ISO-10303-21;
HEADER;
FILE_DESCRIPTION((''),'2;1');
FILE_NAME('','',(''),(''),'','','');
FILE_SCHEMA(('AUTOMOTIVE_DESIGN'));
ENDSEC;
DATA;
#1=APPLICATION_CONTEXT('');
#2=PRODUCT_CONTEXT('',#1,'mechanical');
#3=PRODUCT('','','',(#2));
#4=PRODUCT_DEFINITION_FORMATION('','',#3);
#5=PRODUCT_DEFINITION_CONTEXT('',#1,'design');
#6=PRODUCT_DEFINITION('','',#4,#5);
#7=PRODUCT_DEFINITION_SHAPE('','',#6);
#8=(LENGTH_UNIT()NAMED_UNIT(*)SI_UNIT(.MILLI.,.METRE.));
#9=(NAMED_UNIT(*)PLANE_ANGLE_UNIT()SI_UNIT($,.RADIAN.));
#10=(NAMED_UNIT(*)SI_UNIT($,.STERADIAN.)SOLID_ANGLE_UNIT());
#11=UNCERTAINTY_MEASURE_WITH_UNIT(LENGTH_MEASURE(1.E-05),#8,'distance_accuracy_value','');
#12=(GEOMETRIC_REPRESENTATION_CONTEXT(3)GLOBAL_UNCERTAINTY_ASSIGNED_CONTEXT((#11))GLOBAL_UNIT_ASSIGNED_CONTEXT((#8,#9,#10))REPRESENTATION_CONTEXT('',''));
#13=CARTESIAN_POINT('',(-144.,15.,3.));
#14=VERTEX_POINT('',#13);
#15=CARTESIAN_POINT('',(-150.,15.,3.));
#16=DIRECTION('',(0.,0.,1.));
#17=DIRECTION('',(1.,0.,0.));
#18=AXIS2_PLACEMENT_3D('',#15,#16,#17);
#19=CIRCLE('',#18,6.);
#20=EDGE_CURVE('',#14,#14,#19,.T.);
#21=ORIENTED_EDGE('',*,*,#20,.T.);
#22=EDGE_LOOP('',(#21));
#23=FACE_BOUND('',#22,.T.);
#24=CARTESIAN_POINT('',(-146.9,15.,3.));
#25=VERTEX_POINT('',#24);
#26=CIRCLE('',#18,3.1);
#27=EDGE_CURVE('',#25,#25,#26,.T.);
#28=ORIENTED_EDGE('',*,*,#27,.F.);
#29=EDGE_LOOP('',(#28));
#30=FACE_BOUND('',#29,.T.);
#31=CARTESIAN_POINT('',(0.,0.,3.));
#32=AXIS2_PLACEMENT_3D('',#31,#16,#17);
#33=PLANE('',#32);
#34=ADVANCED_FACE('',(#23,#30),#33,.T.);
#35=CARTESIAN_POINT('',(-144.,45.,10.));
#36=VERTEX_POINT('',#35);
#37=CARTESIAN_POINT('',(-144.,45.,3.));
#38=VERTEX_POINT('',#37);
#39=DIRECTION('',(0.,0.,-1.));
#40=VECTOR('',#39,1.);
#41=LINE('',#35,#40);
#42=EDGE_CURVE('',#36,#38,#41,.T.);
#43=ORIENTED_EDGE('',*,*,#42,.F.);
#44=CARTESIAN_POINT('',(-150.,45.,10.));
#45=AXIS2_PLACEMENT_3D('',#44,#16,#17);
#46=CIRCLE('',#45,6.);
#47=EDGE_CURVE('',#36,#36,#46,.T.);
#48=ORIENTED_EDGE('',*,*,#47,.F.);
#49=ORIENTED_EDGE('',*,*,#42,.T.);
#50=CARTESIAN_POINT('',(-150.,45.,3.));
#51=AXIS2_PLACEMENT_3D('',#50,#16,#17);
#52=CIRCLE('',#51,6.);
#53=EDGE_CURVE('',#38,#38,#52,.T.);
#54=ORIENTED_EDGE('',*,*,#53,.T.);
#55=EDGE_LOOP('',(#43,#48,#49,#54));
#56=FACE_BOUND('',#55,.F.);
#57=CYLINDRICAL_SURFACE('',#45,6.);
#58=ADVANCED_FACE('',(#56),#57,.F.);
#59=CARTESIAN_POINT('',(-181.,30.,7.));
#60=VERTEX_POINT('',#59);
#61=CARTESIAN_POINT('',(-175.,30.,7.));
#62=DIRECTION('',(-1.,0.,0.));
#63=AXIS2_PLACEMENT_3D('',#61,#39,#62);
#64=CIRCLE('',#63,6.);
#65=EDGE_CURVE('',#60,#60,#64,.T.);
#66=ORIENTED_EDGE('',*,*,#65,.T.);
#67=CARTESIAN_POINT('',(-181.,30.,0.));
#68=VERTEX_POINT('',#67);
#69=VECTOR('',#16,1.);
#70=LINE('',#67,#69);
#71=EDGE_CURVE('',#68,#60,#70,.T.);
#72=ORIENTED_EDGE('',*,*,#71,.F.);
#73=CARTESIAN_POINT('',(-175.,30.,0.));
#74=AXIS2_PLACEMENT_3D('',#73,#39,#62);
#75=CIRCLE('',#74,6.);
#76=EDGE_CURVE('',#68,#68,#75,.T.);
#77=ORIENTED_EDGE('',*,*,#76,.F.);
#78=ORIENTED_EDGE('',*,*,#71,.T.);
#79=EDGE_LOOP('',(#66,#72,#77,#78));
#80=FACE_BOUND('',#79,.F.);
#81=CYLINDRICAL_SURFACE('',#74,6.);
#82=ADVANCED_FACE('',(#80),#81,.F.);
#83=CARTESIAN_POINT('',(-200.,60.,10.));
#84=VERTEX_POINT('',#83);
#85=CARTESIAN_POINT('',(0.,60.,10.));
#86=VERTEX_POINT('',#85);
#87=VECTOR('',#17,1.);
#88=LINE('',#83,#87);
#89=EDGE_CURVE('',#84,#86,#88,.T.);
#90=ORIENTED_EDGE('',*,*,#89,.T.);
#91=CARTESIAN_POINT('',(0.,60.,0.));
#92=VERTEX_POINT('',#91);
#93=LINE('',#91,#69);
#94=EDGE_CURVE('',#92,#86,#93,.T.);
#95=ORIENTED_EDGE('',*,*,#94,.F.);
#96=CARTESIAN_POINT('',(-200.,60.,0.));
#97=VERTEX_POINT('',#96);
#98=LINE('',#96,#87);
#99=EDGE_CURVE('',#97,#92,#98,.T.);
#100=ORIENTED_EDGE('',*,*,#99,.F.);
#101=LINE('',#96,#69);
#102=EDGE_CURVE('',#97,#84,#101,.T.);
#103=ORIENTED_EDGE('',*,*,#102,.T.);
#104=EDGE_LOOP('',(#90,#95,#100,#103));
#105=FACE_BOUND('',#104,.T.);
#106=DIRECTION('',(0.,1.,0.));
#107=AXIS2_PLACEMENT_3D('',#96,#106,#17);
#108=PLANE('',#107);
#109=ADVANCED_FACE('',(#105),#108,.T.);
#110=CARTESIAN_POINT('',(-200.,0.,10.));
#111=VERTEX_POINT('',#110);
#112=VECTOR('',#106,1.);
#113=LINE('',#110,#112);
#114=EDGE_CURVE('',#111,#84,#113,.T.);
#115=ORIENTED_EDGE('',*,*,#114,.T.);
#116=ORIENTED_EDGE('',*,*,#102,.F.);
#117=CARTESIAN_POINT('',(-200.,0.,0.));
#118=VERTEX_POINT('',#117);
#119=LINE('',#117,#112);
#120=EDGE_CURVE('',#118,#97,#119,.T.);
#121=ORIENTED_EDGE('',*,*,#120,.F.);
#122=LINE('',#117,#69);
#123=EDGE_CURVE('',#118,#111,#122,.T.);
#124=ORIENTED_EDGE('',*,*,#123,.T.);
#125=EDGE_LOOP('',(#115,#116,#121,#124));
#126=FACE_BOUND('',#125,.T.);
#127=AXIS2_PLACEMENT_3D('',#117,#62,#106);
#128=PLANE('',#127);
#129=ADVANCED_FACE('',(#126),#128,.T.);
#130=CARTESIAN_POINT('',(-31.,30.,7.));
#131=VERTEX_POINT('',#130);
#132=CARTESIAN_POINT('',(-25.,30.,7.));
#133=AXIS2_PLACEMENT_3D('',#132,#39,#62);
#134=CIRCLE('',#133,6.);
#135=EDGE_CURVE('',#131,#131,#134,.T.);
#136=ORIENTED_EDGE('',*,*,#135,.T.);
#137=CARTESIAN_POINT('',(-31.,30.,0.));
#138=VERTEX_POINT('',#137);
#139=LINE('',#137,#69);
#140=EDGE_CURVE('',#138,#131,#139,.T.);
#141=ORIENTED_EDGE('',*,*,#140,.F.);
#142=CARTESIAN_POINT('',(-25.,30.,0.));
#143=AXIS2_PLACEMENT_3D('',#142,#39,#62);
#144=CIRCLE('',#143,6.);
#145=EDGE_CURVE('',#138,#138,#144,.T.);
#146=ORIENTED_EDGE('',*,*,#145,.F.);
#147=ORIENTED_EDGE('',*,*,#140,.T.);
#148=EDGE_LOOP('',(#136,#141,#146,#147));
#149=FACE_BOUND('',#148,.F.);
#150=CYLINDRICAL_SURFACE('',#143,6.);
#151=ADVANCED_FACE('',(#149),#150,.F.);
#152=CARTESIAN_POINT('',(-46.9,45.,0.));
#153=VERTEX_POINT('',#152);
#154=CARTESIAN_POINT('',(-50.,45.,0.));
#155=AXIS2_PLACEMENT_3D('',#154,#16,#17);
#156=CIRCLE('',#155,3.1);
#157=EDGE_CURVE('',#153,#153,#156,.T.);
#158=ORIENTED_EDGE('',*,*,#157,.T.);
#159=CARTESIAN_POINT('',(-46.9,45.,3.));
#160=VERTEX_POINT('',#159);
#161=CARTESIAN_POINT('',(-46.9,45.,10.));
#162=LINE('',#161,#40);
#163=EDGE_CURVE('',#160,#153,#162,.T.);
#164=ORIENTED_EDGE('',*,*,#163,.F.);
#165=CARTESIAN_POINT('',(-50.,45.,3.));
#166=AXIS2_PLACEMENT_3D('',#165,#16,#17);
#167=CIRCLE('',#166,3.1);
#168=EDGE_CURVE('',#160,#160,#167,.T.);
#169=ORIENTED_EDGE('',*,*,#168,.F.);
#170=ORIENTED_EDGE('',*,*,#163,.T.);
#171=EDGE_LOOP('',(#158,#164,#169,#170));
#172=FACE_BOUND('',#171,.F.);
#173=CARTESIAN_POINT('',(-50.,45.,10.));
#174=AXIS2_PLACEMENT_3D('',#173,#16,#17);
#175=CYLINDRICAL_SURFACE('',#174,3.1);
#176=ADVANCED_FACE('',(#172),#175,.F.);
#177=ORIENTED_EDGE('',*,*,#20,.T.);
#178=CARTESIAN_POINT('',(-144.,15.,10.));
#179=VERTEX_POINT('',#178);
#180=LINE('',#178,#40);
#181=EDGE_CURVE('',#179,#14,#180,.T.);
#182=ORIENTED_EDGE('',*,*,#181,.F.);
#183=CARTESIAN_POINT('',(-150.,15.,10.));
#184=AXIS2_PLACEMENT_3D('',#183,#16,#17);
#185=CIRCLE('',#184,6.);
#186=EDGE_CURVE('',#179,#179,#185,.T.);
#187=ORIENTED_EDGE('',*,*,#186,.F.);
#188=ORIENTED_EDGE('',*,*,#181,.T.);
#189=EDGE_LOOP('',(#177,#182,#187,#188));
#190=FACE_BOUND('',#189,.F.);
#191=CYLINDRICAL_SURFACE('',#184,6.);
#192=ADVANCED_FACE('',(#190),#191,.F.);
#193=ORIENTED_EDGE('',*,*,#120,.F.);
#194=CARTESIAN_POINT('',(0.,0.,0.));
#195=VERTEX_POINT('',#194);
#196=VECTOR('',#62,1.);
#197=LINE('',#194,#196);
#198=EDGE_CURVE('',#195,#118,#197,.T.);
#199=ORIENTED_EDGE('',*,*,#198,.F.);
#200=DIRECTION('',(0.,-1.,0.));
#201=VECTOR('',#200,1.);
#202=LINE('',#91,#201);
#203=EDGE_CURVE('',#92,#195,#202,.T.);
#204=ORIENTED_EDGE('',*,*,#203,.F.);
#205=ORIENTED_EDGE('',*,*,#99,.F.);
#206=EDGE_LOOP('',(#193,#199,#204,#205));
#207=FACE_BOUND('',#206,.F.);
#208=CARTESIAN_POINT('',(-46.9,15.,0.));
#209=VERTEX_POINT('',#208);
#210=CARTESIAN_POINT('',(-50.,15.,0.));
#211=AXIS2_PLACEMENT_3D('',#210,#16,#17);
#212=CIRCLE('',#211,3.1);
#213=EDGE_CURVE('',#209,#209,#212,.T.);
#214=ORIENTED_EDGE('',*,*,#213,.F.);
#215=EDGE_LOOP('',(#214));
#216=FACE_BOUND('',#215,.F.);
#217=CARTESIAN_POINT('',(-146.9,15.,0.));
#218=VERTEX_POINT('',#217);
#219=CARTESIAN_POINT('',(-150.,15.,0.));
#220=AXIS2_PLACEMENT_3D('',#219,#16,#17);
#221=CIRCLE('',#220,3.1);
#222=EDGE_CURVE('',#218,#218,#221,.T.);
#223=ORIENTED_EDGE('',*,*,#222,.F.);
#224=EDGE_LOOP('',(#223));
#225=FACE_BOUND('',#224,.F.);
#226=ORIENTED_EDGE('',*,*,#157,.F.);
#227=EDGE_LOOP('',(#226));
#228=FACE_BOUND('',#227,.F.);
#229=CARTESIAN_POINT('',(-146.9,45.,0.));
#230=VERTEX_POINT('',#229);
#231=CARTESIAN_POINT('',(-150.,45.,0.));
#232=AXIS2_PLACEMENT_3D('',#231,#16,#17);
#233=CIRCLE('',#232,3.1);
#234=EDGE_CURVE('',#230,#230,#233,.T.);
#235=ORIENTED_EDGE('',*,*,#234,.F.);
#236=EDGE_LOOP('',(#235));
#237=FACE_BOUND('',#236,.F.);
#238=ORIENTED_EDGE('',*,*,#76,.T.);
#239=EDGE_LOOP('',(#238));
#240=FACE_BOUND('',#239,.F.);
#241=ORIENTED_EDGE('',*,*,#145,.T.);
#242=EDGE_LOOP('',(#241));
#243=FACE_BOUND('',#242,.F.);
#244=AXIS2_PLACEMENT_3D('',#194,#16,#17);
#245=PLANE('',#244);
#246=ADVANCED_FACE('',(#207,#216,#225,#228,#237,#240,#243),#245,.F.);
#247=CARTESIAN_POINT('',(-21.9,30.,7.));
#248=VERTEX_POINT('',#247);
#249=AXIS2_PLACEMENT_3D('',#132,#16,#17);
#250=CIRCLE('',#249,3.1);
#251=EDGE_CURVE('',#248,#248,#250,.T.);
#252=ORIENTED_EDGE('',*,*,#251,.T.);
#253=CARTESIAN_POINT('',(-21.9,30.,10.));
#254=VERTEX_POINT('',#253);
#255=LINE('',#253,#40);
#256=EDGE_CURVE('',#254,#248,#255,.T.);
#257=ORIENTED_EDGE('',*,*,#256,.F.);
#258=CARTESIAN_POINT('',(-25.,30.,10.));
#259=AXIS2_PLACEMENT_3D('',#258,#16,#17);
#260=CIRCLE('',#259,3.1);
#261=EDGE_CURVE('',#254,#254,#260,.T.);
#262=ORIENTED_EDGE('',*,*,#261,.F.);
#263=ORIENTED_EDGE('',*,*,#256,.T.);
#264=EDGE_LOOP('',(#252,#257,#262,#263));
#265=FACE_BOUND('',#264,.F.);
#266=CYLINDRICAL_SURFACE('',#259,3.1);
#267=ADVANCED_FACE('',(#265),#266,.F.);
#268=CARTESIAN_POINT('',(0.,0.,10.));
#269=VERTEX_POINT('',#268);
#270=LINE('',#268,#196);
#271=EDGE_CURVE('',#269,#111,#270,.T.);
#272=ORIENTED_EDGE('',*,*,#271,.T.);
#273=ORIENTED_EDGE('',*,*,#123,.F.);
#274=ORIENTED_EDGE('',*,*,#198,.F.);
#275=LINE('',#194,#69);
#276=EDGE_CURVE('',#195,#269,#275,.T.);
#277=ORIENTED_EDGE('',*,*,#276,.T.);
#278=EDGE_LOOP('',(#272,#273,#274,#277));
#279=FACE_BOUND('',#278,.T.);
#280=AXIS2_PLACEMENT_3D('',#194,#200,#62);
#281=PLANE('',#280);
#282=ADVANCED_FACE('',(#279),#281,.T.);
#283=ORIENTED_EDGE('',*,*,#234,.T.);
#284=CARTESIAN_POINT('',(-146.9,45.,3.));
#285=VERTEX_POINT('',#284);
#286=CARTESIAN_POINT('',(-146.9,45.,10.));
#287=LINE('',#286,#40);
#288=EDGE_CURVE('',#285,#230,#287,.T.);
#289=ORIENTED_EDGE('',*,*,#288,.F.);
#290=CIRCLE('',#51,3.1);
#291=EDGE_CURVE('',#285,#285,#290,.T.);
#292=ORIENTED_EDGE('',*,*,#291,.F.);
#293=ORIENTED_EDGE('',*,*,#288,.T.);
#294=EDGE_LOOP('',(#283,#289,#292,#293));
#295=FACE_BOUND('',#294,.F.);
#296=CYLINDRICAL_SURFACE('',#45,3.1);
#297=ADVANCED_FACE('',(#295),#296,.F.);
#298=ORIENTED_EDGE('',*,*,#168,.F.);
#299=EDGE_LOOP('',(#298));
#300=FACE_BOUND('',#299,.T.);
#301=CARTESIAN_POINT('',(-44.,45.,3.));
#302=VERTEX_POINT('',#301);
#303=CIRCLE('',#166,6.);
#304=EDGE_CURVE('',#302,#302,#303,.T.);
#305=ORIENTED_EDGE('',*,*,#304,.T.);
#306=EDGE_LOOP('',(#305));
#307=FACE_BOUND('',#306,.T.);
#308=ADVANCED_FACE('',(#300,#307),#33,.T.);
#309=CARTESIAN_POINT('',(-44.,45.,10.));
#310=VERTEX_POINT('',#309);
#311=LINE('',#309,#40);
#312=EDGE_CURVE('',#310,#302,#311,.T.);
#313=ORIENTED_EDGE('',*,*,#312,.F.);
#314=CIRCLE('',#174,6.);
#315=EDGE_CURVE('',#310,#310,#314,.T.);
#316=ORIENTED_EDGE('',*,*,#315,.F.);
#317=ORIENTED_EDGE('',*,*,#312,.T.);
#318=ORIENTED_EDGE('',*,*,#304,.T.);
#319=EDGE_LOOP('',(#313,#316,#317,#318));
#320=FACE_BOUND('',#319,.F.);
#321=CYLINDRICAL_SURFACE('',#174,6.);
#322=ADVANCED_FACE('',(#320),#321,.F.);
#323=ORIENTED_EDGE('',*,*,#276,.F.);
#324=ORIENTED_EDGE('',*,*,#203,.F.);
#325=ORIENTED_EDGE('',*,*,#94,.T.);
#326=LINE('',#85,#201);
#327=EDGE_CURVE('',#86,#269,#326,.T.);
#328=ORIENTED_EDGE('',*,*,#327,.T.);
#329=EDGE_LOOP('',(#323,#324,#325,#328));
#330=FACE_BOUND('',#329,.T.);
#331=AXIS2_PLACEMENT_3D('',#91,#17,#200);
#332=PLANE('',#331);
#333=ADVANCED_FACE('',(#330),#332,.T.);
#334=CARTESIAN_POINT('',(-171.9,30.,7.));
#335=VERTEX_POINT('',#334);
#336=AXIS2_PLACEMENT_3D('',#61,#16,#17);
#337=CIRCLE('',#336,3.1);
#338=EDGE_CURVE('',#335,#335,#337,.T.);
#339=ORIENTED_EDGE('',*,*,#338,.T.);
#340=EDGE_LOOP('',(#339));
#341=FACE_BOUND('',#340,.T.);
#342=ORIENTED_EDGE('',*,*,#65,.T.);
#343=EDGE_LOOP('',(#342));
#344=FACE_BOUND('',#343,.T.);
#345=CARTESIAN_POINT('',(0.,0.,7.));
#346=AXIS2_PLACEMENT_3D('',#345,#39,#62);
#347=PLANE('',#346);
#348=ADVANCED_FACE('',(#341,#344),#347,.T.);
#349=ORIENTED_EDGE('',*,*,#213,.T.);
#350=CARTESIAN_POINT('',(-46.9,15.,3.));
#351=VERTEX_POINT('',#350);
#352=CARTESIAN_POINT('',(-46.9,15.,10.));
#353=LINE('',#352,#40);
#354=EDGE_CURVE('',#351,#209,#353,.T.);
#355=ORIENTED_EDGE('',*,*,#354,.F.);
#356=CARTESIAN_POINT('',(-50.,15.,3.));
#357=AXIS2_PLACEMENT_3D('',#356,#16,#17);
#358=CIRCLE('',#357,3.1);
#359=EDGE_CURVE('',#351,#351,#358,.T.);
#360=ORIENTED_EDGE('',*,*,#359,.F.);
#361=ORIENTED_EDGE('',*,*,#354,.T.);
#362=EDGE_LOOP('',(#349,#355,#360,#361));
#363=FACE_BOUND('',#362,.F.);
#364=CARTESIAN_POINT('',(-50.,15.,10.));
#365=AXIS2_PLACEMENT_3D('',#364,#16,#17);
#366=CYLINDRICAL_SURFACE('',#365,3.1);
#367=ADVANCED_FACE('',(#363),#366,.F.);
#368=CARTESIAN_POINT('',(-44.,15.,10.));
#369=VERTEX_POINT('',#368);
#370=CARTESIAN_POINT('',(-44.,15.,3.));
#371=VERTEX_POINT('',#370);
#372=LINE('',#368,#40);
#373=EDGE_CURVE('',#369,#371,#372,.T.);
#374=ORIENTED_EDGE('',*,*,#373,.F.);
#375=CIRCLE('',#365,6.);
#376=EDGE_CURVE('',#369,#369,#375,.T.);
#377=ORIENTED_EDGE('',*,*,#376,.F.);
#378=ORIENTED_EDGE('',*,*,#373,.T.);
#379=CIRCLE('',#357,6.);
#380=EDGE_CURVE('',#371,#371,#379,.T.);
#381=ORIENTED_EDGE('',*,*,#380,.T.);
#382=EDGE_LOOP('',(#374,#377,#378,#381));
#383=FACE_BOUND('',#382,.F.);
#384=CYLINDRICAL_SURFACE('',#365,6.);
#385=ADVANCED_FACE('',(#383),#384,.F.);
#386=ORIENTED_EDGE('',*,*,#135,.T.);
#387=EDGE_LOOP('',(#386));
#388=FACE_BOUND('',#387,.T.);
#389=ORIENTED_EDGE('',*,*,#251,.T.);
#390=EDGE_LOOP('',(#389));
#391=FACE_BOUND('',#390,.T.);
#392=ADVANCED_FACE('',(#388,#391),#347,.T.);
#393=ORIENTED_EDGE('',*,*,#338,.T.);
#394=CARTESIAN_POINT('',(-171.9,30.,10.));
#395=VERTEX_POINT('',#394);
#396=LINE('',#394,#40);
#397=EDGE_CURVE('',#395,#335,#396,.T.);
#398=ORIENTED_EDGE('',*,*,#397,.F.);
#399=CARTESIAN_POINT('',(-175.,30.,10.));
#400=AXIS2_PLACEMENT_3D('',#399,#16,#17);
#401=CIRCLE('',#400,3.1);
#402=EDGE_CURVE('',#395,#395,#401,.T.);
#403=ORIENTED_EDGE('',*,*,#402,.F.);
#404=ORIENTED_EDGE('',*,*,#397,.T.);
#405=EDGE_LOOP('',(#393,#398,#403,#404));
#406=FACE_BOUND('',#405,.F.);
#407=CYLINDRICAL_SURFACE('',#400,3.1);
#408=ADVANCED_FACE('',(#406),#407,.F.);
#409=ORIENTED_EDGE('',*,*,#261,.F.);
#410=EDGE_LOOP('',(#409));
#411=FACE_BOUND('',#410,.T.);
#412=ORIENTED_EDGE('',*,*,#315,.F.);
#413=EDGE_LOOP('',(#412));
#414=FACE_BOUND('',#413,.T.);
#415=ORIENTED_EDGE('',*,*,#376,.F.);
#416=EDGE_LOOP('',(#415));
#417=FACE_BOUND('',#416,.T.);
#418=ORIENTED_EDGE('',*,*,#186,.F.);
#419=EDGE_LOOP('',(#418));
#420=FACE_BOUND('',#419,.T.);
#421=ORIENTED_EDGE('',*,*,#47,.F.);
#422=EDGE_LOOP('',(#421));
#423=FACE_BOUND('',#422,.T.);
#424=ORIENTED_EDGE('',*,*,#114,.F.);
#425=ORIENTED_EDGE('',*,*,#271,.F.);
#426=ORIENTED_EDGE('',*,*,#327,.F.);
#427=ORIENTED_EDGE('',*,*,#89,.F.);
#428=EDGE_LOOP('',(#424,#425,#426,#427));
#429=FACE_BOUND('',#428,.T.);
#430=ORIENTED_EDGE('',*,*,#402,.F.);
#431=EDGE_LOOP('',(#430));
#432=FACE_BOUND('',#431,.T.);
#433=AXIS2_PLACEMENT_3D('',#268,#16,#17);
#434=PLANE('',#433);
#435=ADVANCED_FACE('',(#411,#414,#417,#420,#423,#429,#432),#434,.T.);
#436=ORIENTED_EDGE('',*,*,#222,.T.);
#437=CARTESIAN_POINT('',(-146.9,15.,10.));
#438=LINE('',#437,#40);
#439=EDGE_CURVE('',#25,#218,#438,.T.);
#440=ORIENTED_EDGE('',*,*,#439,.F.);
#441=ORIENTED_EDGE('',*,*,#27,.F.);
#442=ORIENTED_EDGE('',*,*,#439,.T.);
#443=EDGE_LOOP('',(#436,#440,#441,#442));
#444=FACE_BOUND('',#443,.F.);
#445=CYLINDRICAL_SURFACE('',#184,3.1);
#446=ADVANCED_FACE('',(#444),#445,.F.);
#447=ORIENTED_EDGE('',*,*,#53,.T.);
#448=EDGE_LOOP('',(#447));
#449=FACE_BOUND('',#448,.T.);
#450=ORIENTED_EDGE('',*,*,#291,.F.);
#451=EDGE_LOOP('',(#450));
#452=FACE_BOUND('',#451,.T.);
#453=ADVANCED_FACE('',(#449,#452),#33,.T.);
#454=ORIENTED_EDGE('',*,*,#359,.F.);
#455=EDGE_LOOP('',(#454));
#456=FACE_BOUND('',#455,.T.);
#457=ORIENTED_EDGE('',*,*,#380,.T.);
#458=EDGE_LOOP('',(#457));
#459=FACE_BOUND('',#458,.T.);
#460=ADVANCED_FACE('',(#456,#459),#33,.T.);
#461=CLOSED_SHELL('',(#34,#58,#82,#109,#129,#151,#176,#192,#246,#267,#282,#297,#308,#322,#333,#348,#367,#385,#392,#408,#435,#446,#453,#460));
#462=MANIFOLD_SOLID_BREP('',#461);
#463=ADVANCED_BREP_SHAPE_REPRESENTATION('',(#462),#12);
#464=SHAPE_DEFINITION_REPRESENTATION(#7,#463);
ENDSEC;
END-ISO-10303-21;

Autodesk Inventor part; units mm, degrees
ref_plane "YZ-Ebene" through (0, 0, 0) normal (1, 0, 0) x (0, 1, 0)
ref_plane "XZ-Ebene" through (0, 0, 0) normal (0, 1, 0) x (-1, 0, 0)
ref_plane "XY-Ebene" through (0, 0, 0) normal (0, 0, 1) x (1, 0, 0)
sketch "Skizze1" plane through (0, 0, 0) normal (0, 0, 1) x (1, 0, 0)
  line L0 (-200, 60) -> (0, 60)
  line L1 (0, 60) -> (0, 0)
  line L2 (0, 0) -> (-200, 0)
  line L3 (-200, 0) -> (-200, 60)
  dimension "d0" = 200
  dimension "d1" = 60
extrude "Extrusion1" add sketch "Skizze1" along normal blind 10
sketch "Skizze2" plane through (0, 0, 10) normal (0, 0, 1) x (1, 0, 0)
  circle A0 centre (-175, 30) radius 3.1
  circle A1 centre (-25, 30) radius 3.1
  line L0 (-200, 0) -> (0, 0) projected
  line L1 (0, 0) -> (0, 60) projected
  circle A2 centre (-150, 45) radius 3.1
  circle A3 centre (-50, 45) radius 3.1
  circle A4 centre (-150, 15) radius 3.1
  circle A5 centre (-50, 15) radius 3.1
  line L2 (0, 60) -> (-200, 60) projected
  dimension "d4" = 6.2
  dimension "d5" = 6.2
  dimension "d6" = 30
  dimension "d7" = 30
  dimension "d8" = 150
  dimension "d9" = 25
  dimension "d10" = 6.2
  dimension "d11" = 6.2
  dimension "d12" = 6.2
  dimension "d13" = 6.2
  dimension "d14" = 30
  dimension "d15" = 30
  dimension "d16" = 100
  dimension "d17" = 100
  dimension "d18" = 50
  dimension "d19" = 50
  dimension "d20" = 15
  dimension "d21" = 15
extrude "Extrusion2" cut sketch "Skizze2" against normal blind 15
sketch "Skizze3" plane through (0, 0, 10) normal (0, 0, 1) x (1, 0, 0)
  circle A0 centre (-150, 45) radius 3.1 projected
  circle A1 centre (-150, 45) radius 6
  circle A2 centre (-150, 15) radius 3.1 projected
  circle A3 centre (-150, 15) radius 6
  circle A4 centre (-50, 45) radius 3.1 projected
  circle A5 centre (-50, 15) radius 3.1 projected
  circle A6 centre (-50, 15) radius 6
  circle A7 centre (-50, 45) radius 6
  point P0 (0, 0)
  dimension "d24" = 12
  dimension "d25" = 12
  dimension "d26" = 12
  dimension "d27" = 12
extrude "Extrusion3" cut sketch "Skizze3" against normal blind 7 contours A1 | A3 | A5 | A6 | A7
sketch "Skizze4" plane through (0, 0, 0) normal (0, 0, -1) x (-1, 0, 0)
  circle A0 centre (175, 30) radius 3.1 projected
  circle A1 centre (175, 30) radius 6
  circle A2 centre (25, 30) radius 3.1 projected
  circle A3 centre (25, 30) radius 6
  point P0 (0, 0)
  dimension "d30" = 12
  dimension "d31" = 12
extrude "Extrusion4" cut sketch "Skizze4" against normal blind 7 contours A0 | A1 | A2 | A3
properties part number "adapter_stage"
